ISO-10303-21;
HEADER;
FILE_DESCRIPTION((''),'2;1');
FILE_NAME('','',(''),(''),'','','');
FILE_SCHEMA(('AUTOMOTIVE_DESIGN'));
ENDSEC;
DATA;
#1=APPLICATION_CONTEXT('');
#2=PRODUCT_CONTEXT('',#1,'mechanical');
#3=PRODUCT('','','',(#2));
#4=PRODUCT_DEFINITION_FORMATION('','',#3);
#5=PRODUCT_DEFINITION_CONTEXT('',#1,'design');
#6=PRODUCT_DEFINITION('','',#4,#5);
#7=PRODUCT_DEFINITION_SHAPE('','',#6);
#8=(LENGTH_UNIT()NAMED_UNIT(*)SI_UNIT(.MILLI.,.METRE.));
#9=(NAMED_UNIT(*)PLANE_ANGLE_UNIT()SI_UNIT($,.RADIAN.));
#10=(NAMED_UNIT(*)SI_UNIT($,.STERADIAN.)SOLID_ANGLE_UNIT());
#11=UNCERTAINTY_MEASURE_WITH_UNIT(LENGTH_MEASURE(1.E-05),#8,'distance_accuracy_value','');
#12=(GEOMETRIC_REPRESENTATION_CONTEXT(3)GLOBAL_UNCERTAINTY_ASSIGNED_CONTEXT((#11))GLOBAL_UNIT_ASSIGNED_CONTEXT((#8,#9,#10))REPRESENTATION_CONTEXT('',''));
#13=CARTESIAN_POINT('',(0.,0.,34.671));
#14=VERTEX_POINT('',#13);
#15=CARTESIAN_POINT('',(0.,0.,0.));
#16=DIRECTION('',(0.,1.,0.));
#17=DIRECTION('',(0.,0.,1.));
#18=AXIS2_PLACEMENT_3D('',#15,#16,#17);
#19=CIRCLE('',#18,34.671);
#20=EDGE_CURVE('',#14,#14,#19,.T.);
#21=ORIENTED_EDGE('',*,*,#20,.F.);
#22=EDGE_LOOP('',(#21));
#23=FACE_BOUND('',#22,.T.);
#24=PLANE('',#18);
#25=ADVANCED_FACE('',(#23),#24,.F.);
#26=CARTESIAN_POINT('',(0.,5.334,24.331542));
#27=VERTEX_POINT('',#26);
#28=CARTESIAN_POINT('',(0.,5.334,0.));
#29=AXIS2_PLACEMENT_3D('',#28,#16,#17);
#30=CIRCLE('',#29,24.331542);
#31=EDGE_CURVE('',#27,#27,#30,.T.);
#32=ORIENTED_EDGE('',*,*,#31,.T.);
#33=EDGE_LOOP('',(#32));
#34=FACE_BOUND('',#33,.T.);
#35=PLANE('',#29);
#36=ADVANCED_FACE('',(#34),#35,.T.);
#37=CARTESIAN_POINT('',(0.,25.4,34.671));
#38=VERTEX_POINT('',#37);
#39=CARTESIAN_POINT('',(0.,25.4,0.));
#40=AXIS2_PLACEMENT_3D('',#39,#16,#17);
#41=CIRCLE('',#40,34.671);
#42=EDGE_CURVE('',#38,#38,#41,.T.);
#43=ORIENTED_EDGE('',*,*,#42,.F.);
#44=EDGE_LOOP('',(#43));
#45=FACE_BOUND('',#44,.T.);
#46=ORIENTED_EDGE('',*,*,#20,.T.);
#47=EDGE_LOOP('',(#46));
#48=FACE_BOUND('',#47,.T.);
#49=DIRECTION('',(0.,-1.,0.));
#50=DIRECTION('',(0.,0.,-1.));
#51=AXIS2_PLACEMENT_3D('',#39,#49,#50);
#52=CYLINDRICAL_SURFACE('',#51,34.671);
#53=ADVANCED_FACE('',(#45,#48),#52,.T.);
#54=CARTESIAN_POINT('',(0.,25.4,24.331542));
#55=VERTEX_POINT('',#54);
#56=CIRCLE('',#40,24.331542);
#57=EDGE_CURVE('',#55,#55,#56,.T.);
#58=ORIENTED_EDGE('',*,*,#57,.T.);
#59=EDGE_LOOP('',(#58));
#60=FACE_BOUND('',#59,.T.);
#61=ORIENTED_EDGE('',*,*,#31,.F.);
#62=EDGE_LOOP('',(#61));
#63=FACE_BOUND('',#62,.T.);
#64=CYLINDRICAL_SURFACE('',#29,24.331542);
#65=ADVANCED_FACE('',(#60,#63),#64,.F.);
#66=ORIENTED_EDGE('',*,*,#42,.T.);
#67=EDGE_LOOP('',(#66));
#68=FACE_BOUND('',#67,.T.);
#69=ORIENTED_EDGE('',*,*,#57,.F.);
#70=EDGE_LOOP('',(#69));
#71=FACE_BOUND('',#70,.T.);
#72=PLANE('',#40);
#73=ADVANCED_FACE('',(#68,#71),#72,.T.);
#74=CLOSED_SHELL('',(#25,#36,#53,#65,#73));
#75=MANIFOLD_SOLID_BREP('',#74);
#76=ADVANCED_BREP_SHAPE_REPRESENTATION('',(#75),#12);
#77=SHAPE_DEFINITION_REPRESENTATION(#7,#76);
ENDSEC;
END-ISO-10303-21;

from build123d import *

# Parameters (mm, degrees)
SKETCH1_R           = 34.671
BOSS_EXTRUDE2_DEPTH = 25.4
SKETCH5_R           = 24.331541544
CUT_EXTRUDE2_DEPTH  = 20.066


with BuildPart() as part:
    # Sketch1 → Boss-Extrude2 (new body)
    with BuildSketch(Plane(origin=(0, 0, 0), x_dir=(1, 0, 0), z_dir=(0, 1, 0))):
        with Locations(Location((0, 0, 0), (0, 0, 270))):
            Circle(SKETCH1_R)
    extrude(amount=BOSS_EXTRUDE2_DEPTH)

    # Sketch5 → Cut-Extrude2 (cut)
    with BuildSketch(Plane(origin=(0, 25.4, 0), x_dir=(1, 0, 0), z_dir=(0, 1, 0))):
        with Locations(Location((0, 0, 0), (0, 0, 270))):
            Circle(SKETCH5_R)
    extrude(amount=-CUT_EXTRUDE2_DEPTH, mode=Mode.SUBTRACT)


solid = part.part
